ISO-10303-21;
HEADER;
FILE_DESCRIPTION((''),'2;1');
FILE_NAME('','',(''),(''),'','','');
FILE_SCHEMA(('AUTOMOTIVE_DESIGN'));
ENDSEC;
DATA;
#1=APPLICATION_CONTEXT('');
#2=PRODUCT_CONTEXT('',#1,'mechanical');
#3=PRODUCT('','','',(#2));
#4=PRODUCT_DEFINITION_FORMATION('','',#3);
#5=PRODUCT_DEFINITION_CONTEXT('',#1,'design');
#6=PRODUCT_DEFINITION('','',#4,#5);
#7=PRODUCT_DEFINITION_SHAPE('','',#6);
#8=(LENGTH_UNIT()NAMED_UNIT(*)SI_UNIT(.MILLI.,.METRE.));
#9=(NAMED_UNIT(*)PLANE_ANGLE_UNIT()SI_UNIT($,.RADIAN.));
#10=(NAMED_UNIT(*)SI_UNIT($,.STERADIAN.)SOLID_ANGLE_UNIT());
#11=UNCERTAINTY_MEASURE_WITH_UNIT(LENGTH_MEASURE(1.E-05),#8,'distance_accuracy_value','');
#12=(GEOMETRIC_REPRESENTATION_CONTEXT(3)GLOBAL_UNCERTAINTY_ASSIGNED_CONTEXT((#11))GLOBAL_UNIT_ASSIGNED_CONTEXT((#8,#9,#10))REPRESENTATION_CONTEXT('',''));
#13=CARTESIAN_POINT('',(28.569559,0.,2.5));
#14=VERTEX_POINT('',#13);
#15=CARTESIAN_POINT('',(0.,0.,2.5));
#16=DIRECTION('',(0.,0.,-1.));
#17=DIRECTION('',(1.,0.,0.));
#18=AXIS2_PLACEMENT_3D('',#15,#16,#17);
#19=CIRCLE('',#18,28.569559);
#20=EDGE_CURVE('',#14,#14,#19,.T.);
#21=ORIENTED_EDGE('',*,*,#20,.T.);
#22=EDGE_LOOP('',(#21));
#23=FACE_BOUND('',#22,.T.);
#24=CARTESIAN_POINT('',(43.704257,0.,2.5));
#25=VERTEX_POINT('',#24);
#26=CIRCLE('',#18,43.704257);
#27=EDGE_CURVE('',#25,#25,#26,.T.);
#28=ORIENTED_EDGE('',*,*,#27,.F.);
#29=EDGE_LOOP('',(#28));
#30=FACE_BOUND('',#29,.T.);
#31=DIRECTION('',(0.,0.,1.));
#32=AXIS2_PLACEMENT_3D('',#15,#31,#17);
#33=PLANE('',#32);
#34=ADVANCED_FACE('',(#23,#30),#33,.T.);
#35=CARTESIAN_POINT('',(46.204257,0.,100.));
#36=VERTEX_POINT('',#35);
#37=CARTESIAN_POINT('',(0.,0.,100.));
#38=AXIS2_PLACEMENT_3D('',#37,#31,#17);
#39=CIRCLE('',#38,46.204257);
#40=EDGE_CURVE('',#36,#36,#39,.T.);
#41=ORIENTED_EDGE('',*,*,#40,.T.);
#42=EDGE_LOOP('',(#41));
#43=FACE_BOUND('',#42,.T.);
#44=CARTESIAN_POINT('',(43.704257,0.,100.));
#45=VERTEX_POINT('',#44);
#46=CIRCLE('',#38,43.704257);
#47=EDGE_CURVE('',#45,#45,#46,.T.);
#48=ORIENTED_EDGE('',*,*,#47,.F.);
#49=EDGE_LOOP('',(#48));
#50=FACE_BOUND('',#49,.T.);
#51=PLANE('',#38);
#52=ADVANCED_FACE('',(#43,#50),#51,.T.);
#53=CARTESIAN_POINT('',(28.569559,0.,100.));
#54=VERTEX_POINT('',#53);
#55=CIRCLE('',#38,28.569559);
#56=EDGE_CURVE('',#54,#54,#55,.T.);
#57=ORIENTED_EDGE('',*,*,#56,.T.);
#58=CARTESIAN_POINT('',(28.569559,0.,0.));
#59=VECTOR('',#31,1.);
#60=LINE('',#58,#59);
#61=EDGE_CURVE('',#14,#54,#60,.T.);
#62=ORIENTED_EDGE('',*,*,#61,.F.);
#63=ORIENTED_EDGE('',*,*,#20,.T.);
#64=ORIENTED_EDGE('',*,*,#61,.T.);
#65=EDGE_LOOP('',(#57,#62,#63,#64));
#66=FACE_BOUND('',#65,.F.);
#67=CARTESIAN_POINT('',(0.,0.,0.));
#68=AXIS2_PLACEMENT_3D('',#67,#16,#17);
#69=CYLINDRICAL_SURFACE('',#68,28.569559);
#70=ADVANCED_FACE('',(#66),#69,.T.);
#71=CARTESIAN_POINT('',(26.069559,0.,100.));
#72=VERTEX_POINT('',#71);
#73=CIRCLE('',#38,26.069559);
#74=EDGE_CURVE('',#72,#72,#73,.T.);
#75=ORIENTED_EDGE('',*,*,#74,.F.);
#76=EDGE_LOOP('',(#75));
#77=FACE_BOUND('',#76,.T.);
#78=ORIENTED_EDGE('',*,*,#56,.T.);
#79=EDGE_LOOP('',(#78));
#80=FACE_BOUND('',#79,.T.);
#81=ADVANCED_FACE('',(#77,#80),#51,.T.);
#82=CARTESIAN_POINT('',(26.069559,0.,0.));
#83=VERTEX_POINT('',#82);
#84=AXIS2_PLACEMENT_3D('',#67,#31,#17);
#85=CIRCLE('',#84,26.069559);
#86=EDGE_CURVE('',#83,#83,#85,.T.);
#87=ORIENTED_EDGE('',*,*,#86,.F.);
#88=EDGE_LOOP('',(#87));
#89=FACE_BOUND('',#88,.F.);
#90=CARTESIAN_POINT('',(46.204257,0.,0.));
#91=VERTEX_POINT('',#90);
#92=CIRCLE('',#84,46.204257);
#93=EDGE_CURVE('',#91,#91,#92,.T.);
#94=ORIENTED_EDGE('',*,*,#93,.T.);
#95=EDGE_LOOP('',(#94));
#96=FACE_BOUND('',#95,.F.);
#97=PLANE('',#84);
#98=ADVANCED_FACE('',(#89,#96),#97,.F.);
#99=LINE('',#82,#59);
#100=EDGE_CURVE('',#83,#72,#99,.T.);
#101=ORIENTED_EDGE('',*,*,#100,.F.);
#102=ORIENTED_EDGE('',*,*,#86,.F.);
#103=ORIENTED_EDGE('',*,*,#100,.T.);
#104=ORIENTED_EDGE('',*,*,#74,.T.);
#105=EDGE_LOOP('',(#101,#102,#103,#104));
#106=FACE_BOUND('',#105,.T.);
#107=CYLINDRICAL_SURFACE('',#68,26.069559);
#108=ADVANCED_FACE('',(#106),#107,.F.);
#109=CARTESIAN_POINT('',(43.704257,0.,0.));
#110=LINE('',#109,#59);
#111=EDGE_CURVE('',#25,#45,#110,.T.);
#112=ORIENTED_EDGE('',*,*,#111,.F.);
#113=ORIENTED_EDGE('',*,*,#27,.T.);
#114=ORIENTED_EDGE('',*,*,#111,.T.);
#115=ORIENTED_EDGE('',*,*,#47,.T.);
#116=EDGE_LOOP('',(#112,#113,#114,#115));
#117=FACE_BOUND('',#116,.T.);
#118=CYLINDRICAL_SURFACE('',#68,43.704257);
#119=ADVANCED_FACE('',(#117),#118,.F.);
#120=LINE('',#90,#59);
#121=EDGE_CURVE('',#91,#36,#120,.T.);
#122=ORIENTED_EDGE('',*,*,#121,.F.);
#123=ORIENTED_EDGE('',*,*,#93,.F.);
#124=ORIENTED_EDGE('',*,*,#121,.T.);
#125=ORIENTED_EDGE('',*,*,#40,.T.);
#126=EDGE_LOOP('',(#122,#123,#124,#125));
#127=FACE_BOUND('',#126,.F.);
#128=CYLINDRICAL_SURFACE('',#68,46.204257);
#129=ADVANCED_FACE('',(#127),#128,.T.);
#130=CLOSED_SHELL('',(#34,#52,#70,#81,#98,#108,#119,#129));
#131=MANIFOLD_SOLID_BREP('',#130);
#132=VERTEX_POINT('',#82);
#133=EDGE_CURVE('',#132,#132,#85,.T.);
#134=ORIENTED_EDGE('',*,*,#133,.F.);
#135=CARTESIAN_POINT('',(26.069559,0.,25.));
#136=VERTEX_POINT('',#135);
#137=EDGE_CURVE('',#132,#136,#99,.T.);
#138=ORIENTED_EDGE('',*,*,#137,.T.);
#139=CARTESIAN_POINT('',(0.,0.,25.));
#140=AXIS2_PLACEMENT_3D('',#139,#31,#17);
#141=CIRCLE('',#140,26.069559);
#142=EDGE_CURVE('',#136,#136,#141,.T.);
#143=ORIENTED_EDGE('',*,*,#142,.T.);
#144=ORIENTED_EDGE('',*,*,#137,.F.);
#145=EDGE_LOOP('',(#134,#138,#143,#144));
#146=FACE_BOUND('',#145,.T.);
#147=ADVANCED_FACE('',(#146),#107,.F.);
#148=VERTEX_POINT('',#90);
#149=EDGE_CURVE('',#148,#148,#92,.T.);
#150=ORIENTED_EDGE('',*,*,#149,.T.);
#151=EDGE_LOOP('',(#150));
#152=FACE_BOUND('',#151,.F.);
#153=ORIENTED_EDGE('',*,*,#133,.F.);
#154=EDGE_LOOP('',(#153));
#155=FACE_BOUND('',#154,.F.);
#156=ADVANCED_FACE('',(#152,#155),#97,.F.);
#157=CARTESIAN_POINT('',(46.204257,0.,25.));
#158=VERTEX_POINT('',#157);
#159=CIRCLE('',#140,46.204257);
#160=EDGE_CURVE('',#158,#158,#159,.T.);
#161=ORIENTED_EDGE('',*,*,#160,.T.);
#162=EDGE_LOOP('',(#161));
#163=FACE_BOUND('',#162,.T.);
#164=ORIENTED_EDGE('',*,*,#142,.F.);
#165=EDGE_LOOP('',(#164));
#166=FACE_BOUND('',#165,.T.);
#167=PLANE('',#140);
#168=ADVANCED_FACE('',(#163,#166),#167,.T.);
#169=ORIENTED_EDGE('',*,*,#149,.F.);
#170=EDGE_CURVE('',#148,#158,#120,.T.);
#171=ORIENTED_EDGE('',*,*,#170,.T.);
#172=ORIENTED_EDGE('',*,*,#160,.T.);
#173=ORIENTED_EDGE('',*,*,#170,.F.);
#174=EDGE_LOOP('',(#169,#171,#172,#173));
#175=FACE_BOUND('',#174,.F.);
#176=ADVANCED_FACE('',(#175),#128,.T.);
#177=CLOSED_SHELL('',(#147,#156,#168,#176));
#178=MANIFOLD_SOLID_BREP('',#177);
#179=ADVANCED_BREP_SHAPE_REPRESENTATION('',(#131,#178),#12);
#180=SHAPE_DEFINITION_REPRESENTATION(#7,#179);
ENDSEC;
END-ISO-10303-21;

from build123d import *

# Parameters (mm, degrees)
F0_R     = 46.204257
F0_R_2   = 26.069559
F1_DEPTH = 25
F2_DEPTH = 100
F3_T     = -2.5


with BuildPart() as f1:
    # F0 (on Top) → F1 (new body)
    with BuildSketch(Plane.XY):
        Circle(F0_R)
        Circle(F0_R_2, mode=Mode.SUBTRACT)
    extrude(amount=F1_DEPTH)


with BuildPart() as f2:
    # F0 (on Top) → F2 (new body)
    with BuildSketch(Plane.XY):
        Circle(F0_R)
        Circle(F0_R_2, mode=Mode.SUBTRACT)
    extrude(amount=F2_DEPTH)

    # F3
    f3_openings = [f2.faces().sort_by_distance(p)[0] for p in [
        (-44.897403, 0, 100),
    ]]
    offset(amount=F3_T, openings=f3_openings)


solid = Compound([f1.part, f2.part])
